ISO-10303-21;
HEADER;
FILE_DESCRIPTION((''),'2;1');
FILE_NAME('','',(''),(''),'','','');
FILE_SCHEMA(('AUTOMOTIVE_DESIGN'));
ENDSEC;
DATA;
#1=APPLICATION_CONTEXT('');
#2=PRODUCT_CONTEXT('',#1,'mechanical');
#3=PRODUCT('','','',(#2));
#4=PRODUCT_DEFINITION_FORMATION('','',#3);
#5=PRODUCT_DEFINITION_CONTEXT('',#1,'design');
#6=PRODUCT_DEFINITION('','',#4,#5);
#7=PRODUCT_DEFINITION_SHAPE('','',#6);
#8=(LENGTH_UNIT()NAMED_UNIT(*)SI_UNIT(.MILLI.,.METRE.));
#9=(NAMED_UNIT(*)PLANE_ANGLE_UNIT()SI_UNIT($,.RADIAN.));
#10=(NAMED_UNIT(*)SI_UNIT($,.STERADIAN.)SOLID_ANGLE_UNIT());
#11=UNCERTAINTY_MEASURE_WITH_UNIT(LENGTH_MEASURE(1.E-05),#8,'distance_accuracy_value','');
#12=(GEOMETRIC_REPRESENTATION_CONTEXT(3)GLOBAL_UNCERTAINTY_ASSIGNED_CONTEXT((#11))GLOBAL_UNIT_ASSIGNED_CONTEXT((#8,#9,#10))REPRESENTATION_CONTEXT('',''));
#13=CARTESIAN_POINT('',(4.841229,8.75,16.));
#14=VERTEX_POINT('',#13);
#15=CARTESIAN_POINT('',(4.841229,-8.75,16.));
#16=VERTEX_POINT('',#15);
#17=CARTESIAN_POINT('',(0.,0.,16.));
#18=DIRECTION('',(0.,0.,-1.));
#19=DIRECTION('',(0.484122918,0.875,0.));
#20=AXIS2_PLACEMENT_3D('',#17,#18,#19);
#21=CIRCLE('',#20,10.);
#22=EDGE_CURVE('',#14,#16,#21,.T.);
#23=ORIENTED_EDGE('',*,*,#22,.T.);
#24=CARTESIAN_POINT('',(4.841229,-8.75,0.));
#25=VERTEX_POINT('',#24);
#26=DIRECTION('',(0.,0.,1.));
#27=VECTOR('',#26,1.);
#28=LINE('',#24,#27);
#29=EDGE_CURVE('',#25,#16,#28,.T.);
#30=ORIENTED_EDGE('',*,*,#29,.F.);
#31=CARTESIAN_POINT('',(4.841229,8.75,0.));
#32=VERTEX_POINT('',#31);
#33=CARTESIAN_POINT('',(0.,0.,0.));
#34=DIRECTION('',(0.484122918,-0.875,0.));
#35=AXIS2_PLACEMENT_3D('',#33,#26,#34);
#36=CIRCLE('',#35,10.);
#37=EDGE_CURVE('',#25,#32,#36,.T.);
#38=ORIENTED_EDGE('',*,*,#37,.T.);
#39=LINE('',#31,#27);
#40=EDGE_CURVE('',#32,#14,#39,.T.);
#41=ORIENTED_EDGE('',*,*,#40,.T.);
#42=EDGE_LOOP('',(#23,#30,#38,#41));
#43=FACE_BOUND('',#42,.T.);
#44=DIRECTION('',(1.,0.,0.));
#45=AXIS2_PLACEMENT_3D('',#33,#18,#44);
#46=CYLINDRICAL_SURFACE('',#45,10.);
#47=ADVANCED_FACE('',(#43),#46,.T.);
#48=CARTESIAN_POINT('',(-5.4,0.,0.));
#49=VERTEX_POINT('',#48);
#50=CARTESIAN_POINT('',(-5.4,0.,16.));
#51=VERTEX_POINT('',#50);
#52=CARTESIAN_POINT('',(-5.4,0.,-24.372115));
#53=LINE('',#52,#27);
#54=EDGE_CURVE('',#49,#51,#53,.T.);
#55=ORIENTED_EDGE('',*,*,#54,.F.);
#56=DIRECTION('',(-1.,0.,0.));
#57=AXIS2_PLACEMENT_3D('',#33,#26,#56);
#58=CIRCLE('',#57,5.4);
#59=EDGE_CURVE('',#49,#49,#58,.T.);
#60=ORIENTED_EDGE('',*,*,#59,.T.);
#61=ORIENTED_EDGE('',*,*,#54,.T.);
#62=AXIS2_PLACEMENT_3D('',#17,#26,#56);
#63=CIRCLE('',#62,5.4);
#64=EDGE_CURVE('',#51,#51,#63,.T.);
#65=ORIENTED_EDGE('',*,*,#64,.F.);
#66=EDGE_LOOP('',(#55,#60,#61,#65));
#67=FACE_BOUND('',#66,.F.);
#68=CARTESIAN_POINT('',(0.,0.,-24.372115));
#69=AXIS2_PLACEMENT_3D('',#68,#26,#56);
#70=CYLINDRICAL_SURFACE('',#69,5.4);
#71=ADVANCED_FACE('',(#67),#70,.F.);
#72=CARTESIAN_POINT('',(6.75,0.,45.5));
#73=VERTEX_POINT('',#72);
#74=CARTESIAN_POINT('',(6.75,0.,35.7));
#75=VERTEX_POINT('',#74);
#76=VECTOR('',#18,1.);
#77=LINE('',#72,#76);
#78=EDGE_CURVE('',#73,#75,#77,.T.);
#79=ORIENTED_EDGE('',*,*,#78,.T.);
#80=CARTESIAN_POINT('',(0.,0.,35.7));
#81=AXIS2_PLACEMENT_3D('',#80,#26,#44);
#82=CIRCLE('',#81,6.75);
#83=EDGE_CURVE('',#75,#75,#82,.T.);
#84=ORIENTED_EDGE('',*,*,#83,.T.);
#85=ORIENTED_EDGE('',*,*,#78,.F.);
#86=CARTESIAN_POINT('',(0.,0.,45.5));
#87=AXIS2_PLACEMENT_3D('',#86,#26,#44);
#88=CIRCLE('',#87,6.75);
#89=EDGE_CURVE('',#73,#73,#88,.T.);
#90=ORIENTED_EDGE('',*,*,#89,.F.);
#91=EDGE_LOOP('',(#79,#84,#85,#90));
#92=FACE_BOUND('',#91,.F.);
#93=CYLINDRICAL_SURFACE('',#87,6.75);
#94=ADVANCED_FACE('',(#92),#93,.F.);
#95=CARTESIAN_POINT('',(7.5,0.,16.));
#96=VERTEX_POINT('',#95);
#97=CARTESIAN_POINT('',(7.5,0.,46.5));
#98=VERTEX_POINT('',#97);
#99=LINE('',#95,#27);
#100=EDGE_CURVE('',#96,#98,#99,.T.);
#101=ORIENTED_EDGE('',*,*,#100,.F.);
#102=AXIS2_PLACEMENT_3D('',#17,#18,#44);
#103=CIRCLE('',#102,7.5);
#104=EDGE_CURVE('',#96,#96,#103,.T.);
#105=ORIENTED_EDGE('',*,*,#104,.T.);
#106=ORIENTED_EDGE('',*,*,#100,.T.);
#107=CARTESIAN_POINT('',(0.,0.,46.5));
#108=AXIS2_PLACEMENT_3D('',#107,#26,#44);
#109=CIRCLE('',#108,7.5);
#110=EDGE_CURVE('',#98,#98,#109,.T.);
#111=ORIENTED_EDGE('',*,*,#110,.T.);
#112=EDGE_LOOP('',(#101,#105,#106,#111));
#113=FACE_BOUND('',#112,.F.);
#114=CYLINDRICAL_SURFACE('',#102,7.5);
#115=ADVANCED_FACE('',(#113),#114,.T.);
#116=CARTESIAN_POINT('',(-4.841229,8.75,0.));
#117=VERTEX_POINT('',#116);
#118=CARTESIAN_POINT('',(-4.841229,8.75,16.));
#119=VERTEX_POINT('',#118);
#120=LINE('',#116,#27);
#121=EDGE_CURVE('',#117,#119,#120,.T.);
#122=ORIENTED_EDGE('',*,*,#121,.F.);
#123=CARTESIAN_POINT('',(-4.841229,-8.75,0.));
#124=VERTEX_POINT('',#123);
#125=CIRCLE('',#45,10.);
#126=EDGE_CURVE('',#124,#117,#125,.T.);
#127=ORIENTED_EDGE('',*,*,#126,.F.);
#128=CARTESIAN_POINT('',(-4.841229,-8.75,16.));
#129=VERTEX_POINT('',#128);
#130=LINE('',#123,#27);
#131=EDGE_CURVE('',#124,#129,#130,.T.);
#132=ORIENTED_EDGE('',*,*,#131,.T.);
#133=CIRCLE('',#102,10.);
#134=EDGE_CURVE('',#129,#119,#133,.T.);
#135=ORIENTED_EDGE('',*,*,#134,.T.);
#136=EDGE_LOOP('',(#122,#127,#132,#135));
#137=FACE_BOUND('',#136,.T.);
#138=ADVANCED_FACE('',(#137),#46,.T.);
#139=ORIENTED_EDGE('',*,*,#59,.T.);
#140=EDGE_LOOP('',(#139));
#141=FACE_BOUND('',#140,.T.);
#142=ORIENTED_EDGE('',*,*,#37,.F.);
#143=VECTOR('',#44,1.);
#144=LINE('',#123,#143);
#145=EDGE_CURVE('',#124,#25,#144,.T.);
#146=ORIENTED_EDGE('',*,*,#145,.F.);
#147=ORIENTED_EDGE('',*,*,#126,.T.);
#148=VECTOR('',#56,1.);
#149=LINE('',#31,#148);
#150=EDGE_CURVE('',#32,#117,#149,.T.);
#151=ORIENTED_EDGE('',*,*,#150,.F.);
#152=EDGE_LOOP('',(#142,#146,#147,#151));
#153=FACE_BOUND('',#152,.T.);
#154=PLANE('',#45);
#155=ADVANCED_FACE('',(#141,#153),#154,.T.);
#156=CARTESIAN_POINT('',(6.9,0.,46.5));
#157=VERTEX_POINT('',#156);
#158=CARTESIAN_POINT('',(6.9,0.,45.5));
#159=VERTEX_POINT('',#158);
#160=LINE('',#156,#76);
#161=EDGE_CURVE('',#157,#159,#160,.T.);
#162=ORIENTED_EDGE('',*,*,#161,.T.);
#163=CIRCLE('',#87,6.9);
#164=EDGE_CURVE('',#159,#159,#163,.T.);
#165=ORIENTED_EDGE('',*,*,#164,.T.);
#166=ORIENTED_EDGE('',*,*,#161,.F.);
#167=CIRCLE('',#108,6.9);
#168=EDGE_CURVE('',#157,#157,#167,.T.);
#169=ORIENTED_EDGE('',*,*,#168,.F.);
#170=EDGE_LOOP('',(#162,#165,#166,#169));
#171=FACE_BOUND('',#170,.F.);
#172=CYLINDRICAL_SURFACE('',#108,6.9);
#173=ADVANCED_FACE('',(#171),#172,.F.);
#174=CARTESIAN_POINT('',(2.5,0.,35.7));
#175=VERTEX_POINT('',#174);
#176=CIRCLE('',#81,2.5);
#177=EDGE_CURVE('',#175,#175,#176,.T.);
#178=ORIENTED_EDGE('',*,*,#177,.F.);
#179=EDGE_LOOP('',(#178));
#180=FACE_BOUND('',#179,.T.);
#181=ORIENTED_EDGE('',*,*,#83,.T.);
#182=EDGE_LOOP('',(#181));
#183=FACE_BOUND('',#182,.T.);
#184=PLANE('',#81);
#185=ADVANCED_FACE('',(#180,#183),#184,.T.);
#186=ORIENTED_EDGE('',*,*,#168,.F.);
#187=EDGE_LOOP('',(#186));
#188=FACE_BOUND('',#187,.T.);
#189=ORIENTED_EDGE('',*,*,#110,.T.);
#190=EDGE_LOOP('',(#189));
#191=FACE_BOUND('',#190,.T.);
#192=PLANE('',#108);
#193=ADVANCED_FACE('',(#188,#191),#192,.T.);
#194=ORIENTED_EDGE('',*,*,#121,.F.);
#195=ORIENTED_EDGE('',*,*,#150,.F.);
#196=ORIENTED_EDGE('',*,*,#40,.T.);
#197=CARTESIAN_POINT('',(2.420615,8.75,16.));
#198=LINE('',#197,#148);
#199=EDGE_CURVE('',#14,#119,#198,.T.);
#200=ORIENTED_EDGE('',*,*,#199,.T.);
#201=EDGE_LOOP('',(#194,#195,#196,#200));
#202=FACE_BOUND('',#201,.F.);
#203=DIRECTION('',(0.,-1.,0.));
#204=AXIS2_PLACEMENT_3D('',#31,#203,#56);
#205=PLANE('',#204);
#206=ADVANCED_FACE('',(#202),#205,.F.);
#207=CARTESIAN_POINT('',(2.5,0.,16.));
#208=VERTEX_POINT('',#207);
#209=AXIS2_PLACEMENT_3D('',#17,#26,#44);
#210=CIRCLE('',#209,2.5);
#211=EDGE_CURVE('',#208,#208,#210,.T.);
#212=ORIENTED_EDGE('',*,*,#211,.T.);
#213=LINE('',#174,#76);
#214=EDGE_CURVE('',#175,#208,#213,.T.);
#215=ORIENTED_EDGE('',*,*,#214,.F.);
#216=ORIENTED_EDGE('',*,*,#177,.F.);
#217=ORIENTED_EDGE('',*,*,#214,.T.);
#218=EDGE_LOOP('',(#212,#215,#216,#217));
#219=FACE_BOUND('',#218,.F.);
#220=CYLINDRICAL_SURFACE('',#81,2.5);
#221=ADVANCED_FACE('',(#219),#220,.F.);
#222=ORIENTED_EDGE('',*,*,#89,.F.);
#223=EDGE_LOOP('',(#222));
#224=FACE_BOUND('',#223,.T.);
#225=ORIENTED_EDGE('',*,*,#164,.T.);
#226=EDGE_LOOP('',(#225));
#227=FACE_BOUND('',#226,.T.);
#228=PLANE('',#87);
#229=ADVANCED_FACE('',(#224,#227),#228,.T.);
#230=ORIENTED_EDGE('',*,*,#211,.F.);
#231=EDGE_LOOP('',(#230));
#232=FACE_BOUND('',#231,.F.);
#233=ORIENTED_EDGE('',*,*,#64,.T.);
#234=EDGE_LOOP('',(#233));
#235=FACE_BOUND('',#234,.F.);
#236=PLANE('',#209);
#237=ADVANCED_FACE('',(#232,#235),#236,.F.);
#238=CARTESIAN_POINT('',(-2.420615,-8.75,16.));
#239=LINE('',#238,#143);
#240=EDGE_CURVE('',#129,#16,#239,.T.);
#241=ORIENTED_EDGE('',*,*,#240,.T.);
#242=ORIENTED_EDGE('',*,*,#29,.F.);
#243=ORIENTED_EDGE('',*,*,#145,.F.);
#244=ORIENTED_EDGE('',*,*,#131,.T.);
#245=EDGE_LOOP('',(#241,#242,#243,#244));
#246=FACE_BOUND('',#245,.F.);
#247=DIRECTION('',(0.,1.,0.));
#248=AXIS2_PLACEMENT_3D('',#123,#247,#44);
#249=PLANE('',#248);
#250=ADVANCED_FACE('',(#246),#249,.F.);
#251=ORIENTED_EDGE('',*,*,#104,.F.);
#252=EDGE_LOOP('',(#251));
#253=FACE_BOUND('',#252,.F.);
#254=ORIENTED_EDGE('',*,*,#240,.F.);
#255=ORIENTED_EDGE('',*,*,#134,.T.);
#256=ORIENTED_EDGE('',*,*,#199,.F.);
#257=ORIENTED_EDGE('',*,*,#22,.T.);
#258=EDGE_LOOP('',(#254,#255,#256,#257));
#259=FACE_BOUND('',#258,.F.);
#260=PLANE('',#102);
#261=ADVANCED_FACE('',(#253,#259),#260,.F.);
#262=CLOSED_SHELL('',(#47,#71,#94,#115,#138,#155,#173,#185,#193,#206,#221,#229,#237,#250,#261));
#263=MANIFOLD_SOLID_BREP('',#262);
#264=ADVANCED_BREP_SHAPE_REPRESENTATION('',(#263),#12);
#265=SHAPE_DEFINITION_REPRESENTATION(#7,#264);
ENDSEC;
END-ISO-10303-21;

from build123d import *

# Parameters (mm, degrees)
F0_W      = 13
F0_H      = 13
F1_DEPTH  = 16
F3_D      = 10.8
F4_R      = 7.5
F5_DEPTH  = 30.5
F6_R      = 6.9
F7_DEPTH  = 1
F8_R      = 6.75
F9_DEPTH  = 9.8
F10_R     = 2.5
F11_DEPTH = 50
F12_R     = 10
F12_W     = 13
F12_H     = 13
F13_DEPTH = 16
F15_DEPTH = 25


with BuildPart() as f1:
    # F0 (on Top) → F1 (new body)
    with BuildSketch(Plane.XY):
        Rectangle(F0_W, F0_H)
    extrude(amount=F1_DEPTH)

    # F3 (through all)
    with Locations(Plane(origin=(0, 0, 0), x_dir=(1, 0, 0), z_dir=(0, 0, -1))):
        with Locations((0, 0)):
            Hole(F3_D / 2)

    # F4 (on face) → F5 (join)
    with BuildSketch(Plane.XY.offset(16)):
        Circle(F4_R)
    extrude(amount=F5_DEPTH)

    # F6 (on face) → F7 (cut)
    with BuildSketch(Plane.XY.offset(46.5)):
        Circle(F6_R)
    extrude(amount=-F7_DEPTH, mode=Mode.SUBTRACT)

    # F8 (on face) → F9 (cut)
    with BuildSketch(Plane.XY.offset(45.5)):
        Circle(F8_R)
    extrude(amount=-F9_DEPTH, mode=Mode.SUBTRACT)

    # F10 (on face) → F11 (cut)
    with BuildSketch(Plane.XY.offset(35.7)):
        Circle(F10_R)
    extrude(amount=-F11_DEPTH, mode=Mode.SUBTRACT)

    # F12 (on face) → F13 (join, through all)
    with BuildSketch(Plane(origin=(0, 0, 0), x_dir=(1, 0, 0), z_dir=(0, 0, -1))):
        Circle(F12_R)
        Rectangle(F12_W, F12_H, mode=Mode.SUBTRACT)
    extrude(amount=-F13_DEPTH)

    # F14 (on face) → F15 (cut)
    with BuildSketch(Plane(origin=(0, 0, 0), x_dir=(1, 0, 0), z_dir=(0, 0, -1))):
        with BuildLine():
            ThreePointArc((4.8412291828, 8.75), (0, 10), (-4.8412291828, 8.75))
            Line((-4.8412291828, 8.75), (4.8412291828, 8.75))
        make_face()
        with BuildLine():
            Line((4.8412291828, -8.75), (-4.8412291828, -8.75))
            ThreePointArc((-4.8412291828, -8.75), (0, -10), (4.8412291828, -8.75))
        make_face()
    extrude(amount=-F15_DEPTH, mode=Mode.SUBTRACT)


solid = f1.part
